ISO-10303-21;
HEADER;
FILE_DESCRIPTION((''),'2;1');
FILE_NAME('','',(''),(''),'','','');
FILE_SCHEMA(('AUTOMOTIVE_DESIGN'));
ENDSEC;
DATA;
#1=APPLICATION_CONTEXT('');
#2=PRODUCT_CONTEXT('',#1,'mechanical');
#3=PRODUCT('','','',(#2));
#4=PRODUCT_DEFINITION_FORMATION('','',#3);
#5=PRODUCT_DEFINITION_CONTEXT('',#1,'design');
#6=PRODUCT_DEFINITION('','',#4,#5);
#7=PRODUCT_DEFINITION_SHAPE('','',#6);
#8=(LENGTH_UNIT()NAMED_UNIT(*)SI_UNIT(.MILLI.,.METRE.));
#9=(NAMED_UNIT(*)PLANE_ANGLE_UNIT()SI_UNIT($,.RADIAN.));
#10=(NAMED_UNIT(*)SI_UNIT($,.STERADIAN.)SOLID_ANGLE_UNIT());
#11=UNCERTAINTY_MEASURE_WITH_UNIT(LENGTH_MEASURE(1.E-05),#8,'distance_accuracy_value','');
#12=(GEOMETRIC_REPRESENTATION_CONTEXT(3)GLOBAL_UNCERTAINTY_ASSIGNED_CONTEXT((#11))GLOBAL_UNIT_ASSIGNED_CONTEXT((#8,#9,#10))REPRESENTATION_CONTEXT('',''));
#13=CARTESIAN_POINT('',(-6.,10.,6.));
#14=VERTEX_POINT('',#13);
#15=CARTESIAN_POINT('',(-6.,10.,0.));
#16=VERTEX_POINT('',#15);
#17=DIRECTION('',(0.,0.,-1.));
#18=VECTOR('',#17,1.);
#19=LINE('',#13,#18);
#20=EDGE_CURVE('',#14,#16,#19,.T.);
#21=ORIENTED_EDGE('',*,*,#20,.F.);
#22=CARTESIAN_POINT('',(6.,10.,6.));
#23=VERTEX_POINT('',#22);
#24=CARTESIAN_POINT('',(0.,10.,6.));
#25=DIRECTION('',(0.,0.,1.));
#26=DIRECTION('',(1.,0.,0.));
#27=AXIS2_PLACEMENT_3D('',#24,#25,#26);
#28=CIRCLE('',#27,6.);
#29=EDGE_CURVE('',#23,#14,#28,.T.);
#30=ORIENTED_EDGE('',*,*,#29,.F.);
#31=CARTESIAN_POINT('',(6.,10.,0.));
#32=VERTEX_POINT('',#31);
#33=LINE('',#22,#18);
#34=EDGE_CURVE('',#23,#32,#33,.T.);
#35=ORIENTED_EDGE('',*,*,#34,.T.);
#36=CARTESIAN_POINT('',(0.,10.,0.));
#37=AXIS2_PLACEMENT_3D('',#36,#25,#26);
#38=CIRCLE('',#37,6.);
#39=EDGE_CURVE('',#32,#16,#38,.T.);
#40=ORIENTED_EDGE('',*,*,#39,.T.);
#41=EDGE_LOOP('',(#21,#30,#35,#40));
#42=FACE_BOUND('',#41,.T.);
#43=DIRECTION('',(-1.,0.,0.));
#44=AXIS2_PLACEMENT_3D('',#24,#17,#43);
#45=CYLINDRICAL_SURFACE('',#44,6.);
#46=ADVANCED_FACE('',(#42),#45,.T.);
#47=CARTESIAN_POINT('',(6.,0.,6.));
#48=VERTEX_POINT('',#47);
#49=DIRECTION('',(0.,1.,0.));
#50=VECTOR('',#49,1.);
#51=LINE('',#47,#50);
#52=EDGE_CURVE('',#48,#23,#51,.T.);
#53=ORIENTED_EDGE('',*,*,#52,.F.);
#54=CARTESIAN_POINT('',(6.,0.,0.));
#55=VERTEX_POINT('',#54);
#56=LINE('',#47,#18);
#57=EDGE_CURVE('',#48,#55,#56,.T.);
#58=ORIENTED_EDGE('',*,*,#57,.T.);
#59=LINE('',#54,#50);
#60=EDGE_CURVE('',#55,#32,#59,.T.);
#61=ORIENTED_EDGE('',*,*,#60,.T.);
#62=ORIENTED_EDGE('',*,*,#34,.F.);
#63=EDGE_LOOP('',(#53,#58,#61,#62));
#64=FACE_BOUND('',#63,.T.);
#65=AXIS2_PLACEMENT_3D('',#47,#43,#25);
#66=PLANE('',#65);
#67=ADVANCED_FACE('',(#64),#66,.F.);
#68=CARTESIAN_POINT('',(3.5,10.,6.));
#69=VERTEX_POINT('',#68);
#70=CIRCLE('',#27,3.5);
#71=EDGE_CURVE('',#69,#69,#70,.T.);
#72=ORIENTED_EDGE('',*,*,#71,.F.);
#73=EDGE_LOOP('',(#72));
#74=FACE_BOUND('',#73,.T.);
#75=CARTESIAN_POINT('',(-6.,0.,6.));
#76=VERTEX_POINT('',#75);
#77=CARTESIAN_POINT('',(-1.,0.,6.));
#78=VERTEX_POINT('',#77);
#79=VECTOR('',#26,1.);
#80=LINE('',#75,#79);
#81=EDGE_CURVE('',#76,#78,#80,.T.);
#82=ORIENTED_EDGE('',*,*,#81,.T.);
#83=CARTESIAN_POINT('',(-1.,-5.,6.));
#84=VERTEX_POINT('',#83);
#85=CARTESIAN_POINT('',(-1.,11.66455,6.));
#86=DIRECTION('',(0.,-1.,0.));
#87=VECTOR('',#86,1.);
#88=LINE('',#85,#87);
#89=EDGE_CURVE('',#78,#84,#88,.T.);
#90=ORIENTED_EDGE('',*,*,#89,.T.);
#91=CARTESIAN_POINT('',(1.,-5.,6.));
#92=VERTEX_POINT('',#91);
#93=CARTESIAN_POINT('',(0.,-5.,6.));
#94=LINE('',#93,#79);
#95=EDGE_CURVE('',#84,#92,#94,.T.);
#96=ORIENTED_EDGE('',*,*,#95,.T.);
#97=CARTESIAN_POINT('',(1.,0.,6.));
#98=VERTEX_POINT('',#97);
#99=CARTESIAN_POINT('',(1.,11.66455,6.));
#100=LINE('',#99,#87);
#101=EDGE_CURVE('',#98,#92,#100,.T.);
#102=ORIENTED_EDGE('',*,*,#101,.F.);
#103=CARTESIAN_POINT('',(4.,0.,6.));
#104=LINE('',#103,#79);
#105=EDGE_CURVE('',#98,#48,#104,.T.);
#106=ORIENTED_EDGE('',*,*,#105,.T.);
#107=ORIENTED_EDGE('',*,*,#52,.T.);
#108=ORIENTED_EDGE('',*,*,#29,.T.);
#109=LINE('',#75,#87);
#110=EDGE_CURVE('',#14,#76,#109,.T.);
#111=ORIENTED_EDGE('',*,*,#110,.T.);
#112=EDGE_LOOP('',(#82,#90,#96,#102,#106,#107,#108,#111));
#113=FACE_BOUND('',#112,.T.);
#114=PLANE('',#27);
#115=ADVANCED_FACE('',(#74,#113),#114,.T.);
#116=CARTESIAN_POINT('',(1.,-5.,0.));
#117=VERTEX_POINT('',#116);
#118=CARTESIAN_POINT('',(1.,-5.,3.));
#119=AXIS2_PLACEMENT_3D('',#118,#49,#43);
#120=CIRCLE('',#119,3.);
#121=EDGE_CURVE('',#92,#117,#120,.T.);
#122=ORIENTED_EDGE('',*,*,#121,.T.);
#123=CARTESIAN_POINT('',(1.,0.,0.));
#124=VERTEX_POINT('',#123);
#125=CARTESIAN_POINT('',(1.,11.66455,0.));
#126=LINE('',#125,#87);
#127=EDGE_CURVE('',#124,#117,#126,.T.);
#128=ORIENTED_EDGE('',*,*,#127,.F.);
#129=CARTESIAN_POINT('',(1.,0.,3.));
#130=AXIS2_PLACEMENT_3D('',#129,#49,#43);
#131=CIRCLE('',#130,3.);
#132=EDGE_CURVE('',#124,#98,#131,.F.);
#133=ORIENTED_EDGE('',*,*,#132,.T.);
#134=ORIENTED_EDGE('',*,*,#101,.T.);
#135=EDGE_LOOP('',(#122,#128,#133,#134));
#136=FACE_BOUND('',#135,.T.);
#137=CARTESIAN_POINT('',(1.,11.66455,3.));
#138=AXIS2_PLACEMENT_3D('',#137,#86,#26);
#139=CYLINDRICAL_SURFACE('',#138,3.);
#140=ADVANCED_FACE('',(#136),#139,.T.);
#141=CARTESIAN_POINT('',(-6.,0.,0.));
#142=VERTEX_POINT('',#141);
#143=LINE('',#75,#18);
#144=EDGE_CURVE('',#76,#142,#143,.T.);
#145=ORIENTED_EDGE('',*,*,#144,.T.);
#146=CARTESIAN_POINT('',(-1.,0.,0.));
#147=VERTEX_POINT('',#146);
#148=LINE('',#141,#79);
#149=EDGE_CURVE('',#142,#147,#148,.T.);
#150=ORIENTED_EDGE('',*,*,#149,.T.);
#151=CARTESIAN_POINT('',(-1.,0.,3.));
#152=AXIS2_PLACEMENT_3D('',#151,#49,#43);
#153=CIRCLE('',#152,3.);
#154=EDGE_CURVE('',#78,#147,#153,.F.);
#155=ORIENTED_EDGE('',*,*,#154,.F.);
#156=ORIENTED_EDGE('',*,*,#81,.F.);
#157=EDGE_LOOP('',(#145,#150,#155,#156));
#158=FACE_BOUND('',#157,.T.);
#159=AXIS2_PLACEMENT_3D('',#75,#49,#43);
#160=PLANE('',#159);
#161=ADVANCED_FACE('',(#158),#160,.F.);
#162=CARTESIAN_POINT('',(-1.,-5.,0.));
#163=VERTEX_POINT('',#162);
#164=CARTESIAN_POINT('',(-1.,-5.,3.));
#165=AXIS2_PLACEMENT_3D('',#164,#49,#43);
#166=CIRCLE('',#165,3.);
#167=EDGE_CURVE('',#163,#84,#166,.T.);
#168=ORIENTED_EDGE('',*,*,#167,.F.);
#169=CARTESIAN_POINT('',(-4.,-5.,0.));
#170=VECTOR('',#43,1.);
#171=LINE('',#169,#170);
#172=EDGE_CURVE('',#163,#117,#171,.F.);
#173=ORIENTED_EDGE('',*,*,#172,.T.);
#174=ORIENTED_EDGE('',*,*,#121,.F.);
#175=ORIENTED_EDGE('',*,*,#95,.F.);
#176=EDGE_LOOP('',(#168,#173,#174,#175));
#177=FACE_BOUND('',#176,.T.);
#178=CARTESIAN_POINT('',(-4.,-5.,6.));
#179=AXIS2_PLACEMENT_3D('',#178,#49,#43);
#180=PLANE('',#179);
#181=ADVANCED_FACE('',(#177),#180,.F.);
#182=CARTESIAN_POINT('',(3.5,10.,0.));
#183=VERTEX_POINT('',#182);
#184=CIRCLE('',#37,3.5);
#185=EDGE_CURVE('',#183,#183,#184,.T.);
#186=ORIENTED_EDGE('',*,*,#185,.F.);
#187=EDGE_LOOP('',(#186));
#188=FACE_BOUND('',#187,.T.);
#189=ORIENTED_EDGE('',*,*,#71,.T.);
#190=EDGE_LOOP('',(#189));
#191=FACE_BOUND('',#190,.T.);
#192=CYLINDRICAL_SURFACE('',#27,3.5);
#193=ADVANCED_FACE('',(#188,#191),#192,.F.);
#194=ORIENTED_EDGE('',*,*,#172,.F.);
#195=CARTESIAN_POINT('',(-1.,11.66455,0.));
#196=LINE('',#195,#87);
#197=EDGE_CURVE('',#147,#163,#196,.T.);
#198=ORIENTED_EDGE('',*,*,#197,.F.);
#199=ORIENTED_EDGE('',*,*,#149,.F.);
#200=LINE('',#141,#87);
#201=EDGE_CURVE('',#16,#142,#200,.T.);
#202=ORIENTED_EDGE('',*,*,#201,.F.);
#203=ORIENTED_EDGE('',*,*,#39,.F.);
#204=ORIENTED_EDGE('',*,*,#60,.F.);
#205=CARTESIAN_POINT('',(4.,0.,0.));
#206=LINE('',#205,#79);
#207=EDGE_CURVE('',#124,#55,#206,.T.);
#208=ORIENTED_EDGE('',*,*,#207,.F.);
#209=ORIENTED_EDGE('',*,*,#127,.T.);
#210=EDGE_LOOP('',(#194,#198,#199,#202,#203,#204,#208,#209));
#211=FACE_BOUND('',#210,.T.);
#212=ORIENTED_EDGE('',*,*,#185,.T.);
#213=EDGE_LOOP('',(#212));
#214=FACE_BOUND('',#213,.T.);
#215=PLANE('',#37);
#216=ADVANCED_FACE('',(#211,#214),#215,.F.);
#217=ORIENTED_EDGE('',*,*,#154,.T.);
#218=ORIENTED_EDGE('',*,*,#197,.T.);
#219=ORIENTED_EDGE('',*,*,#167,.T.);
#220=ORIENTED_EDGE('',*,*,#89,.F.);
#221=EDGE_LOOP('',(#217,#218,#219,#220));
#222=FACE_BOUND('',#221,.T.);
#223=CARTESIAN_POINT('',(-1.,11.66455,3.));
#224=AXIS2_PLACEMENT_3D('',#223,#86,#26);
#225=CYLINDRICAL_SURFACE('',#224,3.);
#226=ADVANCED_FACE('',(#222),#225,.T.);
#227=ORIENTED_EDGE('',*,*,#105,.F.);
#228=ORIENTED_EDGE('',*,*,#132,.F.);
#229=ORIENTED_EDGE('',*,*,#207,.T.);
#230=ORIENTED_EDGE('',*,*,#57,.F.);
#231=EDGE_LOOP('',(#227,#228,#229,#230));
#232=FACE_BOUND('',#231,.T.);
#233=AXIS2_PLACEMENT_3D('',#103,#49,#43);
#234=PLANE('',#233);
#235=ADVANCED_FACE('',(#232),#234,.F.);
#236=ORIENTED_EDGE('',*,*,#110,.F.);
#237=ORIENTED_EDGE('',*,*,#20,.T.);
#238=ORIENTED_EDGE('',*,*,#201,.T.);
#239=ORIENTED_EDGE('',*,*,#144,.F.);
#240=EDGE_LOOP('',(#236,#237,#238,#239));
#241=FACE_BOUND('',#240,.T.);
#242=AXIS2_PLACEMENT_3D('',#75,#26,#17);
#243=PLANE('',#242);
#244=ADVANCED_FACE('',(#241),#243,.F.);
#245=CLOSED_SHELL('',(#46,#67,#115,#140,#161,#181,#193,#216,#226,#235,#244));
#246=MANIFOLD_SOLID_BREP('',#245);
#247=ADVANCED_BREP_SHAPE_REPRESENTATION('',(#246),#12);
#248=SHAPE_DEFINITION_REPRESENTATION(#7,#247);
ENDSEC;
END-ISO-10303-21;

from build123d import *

# Parameters (mm, degrees)
BOSS_EXTRUDE1_DEPTH       = 6
M8X1_0_TAPPED_HOLE1_D     = 7
M8X1_0_TAPPED_HOLE1_DEPTH = 19
M8X1_0_TAPPED_HOLE1_TIP   = 2.103012167
CUT_EXTRUDE1_DEPTH        = 23.649503306
CUT_EXTRUDE1_DEPTH_BACK   = 5
SKETCH4_W                 = 9.430442817
SKETCH4_H                 = 6.865018404


with BuildPart() as part:
    # Sketch1 → Boss-Extrude1 (new body)
    with BuildSketch(Plane.XY):
        with BuildLine():
            Line((-4, -5), (4, -5))
            Line((4, -5), (4, 0))
            Line((4, 0), (6, 0))
            Line((6, 0), (6, 10))
            ThreePointArc((6, 10), (0, 16), (-6, 10))
            Line((-6, 10), (-6, 0))
            Line((-6, 0), (-4, 0))
            Line((-4, 0), (-4, -5))
        make_face()
    extrude(amount=BOSS_EXTRUDE1_DEPTH)

    # M8x1.0 Tapped Hole1
    with Locations(Plane.XY.offset(6)):
        with Locations((0, 10)):
            Hole(M8X1_0_TAPPED_HOLE1_D / 2, depth=M8X1_0_TAPPED_HOLE1_DEPTH)
            with Locations((0, 0, -(M8X1_0_TAPPED_HOLE1_DEPTH + M8X1_0_TAPPED_HOLE1_TIP / 2))):  # 118° drill point
                Cone(0, M8X1_0_TAPPED_HOLE1_D / 2, M8X1_0_TAPPED_HOLE1_TIP, mode=Mode.SUBTRACT)

    # Sketch4 → Cut-Extrude1 (cut, two sides: drawn at the far end of the back side and taken through both)
    with BuildSketch(Plane.XZ.offset(5).offset(-CUT_EXTRUDE1_DEPTH_BACK)):
        with Locations((0.112084889, 2.942713281)):
            Rectangle(SKETCH4_W, SKETCH4_H)
        with BuildLine():
            Line((-1, 6), (1, 6))
            ThreePointArc((1, 6), (4, 3), (1, 0))
            Line((1, 0), (-1, 0))
            ThreePointArc((-1, 0), (-4, 3), (-1, 6))
        make_face(mode=Mode.SUBTRACT)
    extrude(amount=CUT_EXTRUDE1_DEPTH + CUT_EXTRUDE1_DEPTH_BACK, mode=Mode.SUBTRACT)


solid = part.part
